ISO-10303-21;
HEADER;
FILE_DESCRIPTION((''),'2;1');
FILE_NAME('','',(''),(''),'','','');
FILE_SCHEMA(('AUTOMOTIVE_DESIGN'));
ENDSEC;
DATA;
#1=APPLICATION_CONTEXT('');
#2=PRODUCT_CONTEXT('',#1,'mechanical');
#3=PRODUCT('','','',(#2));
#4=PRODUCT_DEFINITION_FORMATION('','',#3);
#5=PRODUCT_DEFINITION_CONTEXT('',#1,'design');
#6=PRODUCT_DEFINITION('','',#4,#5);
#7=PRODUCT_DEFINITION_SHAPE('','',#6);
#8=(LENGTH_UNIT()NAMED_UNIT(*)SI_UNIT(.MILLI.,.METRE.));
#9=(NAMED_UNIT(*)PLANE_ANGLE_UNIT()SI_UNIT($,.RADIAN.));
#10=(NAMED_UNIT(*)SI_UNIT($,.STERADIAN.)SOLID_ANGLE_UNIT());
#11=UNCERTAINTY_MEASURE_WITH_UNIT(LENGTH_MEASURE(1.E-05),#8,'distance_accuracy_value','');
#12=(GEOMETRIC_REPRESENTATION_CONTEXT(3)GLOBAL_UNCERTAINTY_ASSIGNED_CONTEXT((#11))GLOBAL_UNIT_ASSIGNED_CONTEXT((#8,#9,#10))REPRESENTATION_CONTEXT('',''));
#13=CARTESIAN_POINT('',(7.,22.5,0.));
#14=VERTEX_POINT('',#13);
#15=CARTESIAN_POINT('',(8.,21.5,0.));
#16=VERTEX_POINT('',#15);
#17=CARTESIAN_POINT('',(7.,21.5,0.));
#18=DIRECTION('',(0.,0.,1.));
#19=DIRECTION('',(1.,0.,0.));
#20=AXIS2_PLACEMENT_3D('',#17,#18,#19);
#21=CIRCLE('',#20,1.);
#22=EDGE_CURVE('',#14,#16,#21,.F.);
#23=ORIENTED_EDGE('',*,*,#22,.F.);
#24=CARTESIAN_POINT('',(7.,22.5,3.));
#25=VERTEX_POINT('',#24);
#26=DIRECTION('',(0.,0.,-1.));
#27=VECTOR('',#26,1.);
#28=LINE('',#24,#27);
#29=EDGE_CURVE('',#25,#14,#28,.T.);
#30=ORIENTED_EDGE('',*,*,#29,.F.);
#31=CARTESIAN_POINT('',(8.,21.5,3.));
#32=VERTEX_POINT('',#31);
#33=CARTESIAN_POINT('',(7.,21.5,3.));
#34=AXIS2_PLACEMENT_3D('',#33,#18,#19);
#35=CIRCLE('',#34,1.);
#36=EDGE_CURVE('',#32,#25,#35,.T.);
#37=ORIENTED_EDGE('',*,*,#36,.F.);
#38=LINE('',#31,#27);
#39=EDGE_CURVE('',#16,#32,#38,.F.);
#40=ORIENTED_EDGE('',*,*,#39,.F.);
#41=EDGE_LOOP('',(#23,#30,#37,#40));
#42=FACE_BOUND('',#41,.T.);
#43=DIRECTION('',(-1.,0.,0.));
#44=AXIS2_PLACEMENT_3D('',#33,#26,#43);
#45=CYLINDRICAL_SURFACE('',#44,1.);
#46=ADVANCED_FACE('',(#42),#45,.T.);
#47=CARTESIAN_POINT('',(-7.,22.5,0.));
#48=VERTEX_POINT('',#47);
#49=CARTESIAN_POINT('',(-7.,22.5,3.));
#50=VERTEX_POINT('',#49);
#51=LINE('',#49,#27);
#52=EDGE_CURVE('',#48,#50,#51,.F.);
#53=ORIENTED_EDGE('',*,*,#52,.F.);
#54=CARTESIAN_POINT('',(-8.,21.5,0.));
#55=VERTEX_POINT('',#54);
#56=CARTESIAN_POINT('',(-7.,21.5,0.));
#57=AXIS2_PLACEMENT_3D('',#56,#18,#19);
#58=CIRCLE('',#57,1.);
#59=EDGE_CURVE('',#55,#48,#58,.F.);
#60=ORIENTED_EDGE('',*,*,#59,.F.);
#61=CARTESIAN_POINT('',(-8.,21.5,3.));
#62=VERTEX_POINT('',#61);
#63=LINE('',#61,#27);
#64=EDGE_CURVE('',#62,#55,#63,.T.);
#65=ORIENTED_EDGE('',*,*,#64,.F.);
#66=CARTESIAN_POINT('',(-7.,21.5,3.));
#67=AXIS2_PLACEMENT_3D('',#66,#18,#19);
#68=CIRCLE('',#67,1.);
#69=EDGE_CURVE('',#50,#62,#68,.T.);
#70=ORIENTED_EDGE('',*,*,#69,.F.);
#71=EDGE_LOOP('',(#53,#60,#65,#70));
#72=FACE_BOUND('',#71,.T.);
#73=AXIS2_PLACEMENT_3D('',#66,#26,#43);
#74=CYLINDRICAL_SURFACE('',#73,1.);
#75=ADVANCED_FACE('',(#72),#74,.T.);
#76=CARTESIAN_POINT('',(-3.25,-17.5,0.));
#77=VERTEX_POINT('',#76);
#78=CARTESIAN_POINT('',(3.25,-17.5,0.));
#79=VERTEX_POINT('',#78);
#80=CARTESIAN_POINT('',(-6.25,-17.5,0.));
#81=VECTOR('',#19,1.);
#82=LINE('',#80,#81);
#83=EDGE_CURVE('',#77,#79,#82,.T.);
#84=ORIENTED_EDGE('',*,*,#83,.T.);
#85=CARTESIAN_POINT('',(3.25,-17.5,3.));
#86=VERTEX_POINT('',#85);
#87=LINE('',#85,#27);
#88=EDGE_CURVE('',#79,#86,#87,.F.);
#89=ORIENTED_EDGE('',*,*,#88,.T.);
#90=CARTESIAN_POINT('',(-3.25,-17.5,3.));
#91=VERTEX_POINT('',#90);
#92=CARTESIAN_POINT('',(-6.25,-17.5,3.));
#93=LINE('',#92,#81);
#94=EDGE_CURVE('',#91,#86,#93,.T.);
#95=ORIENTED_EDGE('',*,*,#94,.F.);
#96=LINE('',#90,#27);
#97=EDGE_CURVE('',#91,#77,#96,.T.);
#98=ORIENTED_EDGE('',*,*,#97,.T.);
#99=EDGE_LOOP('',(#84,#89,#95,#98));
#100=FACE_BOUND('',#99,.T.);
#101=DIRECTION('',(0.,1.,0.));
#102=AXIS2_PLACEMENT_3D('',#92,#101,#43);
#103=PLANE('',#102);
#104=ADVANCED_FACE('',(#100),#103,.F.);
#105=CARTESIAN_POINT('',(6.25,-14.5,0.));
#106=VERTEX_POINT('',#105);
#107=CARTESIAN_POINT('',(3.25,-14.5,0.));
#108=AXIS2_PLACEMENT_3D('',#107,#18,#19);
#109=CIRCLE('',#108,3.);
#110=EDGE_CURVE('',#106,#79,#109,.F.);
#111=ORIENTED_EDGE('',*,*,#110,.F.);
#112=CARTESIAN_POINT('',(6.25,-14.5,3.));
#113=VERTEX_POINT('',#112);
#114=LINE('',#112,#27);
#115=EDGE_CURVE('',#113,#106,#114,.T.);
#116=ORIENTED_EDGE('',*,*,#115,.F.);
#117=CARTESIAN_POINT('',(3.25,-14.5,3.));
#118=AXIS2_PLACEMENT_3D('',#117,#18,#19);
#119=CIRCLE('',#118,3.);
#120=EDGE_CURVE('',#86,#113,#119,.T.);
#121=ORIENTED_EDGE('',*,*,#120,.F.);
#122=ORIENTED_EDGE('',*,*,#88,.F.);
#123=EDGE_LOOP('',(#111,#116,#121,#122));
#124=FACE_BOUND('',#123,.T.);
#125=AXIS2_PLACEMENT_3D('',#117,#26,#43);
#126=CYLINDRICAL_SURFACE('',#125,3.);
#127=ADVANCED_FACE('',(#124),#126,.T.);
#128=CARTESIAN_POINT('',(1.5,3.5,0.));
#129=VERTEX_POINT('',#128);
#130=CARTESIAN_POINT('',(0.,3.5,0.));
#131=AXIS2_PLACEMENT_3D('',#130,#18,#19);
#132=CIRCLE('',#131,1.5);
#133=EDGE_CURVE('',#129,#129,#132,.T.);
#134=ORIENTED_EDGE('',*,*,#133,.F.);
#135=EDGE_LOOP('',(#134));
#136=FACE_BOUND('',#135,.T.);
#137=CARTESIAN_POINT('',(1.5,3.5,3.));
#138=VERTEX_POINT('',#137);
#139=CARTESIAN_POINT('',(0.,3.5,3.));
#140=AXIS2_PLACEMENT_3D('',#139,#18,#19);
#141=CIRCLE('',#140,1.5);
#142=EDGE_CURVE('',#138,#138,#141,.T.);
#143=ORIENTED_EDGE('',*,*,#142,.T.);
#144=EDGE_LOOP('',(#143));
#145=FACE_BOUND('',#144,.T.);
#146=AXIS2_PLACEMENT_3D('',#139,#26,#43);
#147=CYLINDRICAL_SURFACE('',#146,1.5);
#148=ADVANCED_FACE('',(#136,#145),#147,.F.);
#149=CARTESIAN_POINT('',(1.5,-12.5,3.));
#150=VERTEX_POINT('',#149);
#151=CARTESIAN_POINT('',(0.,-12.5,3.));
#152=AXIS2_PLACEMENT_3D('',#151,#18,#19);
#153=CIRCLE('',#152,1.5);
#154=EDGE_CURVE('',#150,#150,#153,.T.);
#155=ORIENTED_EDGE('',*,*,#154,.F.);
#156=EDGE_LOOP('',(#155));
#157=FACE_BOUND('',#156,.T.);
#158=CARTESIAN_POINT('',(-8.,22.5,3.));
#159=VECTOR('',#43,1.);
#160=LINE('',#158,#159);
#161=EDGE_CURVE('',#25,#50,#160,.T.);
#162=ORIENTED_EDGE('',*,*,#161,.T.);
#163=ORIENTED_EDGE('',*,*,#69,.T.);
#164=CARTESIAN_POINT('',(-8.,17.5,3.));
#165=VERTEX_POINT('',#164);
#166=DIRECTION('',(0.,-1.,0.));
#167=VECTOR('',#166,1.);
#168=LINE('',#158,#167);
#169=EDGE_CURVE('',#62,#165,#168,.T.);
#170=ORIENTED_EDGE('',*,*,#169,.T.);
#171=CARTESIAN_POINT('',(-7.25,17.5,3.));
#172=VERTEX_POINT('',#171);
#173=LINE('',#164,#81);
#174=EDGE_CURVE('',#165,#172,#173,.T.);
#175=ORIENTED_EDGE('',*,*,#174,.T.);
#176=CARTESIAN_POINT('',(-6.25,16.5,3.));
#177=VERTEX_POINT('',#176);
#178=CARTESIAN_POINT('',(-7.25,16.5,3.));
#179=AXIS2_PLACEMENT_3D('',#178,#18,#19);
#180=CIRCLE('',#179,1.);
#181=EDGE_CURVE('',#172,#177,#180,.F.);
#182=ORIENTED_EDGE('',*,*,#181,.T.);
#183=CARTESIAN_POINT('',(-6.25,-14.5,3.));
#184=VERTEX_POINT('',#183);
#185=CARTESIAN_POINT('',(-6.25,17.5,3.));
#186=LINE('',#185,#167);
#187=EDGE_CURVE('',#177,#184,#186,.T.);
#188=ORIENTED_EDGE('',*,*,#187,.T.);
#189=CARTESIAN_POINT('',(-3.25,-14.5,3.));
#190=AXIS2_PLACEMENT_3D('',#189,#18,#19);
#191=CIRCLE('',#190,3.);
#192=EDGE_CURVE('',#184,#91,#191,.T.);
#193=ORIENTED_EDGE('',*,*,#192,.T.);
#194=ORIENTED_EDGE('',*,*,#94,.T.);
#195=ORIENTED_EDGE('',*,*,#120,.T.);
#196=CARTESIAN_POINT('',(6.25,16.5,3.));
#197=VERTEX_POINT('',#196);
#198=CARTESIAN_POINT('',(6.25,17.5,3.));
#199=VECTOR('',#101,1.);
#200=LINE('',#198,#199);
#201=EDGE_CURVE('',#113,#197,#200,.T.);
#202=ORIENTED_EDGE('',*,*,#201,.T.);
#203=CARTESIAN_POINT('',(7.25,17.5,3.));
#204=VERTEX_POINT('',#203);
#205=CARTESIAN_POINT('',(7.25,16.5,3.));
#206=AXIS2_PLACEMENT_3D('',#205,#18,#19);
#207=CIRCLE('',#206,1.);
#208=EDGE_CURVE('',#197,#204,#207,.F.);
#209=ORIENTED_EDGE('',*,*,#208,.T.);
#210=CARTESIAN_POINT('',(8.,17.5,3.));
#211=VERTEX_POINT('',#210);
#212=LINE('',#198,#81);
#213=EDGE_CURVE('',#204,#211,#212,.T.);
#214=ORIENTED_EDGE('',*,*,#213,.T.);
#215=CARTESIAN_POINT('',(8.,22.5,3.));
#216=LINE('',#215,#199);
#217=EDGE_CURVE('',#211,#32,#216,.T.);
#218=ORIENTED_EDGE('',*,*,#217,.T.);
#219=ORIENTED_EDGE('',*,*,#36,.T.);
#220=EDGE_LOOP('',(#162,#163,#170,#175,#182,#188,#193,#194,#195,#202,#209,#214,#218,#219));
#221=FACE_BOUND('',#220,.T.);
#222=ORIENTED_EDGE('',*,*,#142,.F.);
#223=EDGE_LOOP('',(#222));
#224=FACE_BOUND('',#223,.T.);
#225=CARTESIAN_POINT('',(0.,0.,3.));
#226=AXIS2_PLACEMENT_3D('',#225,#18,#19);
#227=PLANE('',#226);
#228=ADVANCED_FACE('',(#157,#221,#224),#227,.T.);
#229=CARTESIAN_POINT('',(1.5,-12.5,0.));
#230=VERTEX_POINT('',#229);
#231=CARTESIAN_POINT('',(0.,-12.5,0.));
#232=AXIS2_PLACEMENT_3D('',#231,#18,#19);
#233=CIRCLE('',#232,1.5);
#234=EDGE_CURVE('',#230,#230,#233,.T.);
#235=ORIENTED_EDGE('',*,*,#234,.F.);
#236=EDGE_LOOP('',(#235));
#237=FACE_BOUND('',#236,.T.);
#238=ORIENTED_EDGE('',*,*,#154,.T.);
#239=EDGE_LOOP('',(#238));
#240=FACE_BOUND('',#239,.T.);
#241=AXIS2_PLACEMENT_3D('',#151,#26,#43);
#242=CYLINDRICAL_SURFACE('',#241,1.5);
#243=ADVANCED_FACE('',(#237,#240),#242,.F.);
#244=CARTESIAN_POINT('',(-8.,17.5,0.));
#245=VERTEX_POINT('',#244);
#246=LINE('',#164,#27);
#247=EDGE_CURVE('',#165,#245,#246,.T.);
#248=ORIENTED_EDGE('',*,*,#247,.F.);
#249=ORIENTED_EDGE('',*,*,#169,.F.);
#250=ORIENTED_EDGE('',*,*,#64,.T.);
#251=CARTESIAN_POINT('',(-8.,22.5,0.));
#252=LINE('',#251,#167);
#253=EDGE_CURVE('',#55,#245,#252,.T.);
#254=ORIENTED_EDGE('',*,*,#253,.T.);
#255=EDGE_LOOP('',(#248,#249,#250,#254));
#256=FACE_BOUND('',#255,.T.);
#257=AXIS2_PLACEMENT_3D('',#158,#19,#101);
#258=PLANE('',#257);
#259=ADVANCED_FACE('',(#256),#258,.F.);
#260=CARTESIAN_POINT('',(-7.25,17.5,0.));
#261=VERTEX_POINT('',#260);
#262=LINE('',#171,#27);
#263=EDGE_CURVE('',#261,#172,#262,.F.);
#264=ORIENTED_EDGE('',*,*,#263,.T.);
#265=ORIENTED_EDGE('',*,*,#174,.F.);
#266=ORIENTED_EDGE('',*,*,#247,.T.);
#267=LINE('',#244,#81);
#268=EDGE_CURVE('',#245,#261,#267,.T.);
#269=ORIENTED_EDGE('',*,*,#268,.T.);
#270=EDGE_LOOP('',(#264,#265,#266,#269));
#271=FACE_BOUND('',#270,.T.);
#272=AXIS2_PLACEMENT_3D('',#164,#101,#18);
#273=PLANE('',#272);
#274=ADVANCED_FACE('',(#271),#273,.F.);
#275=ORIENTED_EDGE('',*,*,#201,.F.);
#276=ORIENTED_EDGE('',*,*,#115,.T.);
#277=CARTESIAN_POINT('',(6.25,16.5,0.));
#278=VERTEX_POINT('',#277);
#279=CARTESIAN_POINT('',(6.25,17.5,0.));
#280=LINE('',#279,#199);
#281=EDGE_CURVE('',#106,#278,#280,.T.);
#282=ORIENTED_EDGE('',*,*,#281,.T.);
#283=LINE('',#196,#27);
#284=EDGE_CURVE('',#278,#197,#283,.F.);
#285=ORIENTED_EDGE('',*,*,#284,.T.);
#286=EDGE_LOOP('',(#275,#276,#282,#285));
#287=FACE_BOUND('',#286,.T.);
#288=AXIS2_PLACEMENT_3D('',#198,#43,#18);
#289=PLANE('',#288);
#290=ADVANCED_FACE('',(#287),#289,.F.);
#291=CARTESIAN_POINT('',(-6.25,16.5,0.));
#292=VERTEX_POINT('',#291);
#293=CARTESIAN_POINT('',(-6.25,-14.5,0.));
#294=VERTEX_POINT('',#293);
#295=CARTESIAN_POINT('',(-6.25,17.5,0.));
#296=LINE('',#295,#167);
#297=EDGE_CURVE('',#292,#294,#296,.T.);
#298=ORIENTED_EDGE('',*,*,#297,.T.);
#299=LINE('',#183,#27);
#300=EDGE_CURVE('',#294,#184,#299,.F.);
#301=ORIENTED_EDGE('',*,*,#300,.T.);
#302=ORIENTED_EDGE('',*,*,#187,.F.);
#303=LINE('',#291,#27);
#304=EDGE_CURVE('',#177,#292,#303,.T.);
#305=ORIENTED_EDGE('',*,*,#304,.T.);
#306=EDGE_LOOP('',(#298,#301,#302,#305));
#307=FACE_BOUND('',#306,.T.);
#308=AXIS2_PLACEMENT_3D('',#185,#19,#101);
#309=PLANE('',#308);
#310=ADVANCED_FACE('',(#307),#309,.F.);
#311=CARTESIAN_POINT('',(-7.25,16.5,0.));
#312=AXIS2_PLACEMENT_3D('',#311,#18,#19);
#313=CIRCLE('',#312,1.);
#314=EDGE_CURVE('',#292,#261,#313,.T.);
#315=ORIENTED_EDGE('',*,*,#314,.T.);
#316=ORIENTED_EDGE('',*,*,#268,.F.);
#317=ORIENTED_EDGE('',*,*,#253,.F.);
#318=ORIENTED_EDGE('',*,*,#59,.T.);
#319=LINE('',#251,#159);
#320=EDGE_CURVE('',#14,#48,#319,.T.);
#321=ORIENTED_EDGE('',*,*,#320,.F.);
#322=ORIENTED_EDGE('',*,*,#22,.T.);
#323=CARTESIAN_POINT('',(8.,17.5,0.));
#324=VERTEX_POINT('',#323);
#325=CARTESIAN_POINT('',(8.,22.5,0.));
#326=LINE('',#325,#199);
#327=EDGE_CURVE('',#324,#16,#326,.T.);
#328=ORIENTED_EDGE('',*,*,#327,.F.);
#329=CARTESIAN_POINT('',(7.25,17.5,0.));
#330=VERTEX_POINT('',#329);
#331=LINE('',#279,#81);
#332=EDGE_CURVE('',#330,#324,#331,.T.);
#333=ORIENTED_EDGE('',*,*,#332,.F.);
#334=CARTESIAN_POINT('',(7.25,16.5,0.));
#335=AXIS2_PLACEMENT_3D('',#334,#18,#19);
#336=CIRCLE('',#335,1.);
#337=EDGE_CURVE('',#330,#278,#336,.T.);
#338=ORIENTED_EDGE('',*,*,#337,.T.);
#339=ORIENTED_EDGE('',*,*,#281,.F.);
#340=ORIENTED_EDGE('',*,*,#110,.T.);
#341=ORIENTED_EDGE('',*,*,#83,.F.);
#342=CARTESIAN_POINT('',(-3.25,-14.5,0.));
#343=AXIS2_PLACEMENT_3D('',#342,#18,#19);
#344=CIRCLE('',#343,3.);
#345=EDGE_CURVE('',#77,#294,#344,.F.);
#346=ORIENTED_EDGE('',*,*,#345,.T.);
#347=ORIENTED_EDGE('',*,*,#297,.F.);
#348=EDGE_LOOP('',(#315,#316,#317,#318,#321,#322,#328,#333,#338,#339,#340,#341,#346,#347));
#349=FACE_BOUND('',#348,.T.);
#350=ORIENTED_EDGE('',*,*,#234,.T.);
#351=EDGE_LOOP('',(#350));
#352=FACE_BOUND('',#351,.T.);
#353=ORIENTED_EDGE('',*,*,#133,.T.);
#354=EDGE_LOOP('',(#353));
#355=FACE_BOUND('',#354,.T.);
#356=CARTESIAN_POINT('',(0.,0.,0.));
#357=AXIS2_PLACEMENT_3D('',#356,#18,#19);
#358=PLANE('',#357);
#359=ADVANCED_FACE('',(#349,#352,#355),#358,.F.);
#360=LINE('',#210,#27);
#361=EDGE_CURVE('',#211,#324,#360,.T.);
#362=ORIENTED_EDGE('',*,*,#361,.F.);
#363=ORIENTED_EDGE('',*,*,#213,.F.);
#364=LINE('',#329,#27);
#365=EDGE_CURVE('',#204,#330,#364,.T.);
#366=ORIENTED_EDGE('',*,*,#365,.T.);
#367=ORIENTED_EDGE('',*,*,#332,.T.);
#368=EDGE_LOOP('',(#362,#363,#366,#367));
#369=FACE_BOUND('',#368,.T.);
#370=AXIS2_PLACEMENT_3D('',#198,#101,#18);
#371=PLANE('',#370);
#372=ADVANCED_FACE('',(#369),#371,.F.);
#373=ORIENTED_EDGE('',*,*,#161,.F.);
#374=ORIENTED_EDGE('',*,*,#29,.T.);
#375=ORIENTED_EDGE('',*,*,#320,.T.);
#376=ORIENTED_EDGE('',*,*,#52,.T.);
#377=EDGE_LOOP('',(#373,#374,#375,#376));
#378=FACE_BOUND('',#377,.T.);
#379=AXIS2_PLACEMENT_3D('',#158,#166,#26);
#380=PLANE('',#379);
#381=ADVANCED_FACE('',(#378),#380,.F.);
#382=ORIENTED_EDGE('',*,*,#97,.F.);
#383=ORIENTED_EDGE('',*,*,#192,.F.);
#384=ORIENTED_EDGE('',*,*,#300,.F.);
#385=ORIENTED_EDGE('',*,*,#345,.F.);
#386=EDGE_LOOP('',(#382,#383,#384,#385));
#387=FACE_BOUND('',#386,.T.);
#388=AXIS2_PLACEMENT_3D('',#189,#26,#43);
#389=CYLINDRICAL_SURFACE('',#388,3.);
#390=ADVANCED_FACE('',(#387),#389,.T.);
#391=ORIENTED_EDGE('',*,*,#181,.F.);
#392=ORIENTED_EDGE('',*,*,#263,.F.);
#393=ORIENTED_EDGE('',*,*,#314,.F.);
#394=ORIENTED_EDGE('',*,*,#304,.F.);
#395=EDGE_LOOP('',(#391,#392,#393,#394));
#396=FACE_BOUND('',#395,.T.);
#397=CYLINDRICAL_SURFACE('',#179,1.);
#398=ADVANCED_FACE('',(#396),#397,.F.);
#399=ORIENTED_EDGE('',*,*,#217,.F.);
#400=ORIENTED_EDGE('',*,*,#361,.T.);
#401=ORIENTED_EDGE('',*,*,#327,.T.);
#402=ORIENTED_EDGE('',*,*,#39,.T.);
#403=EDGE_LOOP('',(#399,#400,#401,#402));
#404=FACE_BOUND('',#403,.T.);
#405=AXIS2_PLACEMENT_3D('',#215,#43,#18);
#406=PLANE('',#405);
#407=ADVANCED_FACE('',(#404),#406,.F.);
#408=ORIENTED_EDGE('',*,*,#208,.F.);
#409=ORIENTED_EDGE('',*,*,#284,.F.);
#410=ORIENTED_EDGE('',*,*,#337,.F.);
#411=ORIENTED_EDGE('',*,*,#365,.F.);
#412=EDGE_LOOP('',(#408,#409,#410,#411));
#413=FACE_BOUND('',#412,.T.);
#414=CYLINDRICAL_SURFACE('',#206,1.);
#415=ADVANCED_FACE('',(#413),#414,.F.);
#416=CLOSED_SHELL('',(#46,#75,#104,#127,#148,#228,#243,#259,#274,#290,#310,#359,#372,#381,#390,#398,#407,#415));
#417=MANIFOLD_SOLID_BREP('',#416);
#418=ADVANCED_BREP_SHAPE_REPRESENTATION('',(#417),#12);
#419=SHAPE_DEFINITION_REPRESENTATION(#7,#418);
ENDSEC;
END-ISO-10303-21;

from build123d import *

# Parameters (mm, degrees)
SKETCH1_R           = 1.5
BOSS_EXTRUDE1_DEPTH = 3
FILLET1_R           = 1
FILLET2_R           = 3


with BuildPart() as part:
    # Sketch1 → Boss-Extrude1 (new body)
    with BuildSketch(Plane.XY):
        Polygon((6.25, 17.5), (8, 17.5), (8, 22.5), (-8, 22.5), (-8, 17.5), (-6.25, 17.5), (-6.25, -17.5), (6.25, -17.5), align=None)
        with Locations((0, 3.5)):
            Circle(SKETCH1_R, mode=Mode.SUBTRACT)
        with Locations((0, -12.5)):
            Circle(SKETCH1_R, mode=Mode.SUBTRACT)
    extrude(amount=BOSS_EXTRUDE1_DEPTH)

    # Fillet1
    fillet1_edges = [part.edges().sort_by_distance(p)[0] for p in [
        (6.25, 17.5, 1.5),
        (-6.25, 17.5, 1.5),
        (-8, 22.5, 1.5),
        (8, 22.5, 1.5),
    ]]
    fillet(fillet1_edges, radius=FILLET1_R)

    # Fillet2
    fillet2_edges = [part.edges().sort_by_distance(p)[0] for p in [
        (6.25, -17.5, 1.5),
        (-6.25, -17.5, 1.5),
    ]]
    fillet(fillet2_edges, radius=FILLET2_R)


solid = part.part
